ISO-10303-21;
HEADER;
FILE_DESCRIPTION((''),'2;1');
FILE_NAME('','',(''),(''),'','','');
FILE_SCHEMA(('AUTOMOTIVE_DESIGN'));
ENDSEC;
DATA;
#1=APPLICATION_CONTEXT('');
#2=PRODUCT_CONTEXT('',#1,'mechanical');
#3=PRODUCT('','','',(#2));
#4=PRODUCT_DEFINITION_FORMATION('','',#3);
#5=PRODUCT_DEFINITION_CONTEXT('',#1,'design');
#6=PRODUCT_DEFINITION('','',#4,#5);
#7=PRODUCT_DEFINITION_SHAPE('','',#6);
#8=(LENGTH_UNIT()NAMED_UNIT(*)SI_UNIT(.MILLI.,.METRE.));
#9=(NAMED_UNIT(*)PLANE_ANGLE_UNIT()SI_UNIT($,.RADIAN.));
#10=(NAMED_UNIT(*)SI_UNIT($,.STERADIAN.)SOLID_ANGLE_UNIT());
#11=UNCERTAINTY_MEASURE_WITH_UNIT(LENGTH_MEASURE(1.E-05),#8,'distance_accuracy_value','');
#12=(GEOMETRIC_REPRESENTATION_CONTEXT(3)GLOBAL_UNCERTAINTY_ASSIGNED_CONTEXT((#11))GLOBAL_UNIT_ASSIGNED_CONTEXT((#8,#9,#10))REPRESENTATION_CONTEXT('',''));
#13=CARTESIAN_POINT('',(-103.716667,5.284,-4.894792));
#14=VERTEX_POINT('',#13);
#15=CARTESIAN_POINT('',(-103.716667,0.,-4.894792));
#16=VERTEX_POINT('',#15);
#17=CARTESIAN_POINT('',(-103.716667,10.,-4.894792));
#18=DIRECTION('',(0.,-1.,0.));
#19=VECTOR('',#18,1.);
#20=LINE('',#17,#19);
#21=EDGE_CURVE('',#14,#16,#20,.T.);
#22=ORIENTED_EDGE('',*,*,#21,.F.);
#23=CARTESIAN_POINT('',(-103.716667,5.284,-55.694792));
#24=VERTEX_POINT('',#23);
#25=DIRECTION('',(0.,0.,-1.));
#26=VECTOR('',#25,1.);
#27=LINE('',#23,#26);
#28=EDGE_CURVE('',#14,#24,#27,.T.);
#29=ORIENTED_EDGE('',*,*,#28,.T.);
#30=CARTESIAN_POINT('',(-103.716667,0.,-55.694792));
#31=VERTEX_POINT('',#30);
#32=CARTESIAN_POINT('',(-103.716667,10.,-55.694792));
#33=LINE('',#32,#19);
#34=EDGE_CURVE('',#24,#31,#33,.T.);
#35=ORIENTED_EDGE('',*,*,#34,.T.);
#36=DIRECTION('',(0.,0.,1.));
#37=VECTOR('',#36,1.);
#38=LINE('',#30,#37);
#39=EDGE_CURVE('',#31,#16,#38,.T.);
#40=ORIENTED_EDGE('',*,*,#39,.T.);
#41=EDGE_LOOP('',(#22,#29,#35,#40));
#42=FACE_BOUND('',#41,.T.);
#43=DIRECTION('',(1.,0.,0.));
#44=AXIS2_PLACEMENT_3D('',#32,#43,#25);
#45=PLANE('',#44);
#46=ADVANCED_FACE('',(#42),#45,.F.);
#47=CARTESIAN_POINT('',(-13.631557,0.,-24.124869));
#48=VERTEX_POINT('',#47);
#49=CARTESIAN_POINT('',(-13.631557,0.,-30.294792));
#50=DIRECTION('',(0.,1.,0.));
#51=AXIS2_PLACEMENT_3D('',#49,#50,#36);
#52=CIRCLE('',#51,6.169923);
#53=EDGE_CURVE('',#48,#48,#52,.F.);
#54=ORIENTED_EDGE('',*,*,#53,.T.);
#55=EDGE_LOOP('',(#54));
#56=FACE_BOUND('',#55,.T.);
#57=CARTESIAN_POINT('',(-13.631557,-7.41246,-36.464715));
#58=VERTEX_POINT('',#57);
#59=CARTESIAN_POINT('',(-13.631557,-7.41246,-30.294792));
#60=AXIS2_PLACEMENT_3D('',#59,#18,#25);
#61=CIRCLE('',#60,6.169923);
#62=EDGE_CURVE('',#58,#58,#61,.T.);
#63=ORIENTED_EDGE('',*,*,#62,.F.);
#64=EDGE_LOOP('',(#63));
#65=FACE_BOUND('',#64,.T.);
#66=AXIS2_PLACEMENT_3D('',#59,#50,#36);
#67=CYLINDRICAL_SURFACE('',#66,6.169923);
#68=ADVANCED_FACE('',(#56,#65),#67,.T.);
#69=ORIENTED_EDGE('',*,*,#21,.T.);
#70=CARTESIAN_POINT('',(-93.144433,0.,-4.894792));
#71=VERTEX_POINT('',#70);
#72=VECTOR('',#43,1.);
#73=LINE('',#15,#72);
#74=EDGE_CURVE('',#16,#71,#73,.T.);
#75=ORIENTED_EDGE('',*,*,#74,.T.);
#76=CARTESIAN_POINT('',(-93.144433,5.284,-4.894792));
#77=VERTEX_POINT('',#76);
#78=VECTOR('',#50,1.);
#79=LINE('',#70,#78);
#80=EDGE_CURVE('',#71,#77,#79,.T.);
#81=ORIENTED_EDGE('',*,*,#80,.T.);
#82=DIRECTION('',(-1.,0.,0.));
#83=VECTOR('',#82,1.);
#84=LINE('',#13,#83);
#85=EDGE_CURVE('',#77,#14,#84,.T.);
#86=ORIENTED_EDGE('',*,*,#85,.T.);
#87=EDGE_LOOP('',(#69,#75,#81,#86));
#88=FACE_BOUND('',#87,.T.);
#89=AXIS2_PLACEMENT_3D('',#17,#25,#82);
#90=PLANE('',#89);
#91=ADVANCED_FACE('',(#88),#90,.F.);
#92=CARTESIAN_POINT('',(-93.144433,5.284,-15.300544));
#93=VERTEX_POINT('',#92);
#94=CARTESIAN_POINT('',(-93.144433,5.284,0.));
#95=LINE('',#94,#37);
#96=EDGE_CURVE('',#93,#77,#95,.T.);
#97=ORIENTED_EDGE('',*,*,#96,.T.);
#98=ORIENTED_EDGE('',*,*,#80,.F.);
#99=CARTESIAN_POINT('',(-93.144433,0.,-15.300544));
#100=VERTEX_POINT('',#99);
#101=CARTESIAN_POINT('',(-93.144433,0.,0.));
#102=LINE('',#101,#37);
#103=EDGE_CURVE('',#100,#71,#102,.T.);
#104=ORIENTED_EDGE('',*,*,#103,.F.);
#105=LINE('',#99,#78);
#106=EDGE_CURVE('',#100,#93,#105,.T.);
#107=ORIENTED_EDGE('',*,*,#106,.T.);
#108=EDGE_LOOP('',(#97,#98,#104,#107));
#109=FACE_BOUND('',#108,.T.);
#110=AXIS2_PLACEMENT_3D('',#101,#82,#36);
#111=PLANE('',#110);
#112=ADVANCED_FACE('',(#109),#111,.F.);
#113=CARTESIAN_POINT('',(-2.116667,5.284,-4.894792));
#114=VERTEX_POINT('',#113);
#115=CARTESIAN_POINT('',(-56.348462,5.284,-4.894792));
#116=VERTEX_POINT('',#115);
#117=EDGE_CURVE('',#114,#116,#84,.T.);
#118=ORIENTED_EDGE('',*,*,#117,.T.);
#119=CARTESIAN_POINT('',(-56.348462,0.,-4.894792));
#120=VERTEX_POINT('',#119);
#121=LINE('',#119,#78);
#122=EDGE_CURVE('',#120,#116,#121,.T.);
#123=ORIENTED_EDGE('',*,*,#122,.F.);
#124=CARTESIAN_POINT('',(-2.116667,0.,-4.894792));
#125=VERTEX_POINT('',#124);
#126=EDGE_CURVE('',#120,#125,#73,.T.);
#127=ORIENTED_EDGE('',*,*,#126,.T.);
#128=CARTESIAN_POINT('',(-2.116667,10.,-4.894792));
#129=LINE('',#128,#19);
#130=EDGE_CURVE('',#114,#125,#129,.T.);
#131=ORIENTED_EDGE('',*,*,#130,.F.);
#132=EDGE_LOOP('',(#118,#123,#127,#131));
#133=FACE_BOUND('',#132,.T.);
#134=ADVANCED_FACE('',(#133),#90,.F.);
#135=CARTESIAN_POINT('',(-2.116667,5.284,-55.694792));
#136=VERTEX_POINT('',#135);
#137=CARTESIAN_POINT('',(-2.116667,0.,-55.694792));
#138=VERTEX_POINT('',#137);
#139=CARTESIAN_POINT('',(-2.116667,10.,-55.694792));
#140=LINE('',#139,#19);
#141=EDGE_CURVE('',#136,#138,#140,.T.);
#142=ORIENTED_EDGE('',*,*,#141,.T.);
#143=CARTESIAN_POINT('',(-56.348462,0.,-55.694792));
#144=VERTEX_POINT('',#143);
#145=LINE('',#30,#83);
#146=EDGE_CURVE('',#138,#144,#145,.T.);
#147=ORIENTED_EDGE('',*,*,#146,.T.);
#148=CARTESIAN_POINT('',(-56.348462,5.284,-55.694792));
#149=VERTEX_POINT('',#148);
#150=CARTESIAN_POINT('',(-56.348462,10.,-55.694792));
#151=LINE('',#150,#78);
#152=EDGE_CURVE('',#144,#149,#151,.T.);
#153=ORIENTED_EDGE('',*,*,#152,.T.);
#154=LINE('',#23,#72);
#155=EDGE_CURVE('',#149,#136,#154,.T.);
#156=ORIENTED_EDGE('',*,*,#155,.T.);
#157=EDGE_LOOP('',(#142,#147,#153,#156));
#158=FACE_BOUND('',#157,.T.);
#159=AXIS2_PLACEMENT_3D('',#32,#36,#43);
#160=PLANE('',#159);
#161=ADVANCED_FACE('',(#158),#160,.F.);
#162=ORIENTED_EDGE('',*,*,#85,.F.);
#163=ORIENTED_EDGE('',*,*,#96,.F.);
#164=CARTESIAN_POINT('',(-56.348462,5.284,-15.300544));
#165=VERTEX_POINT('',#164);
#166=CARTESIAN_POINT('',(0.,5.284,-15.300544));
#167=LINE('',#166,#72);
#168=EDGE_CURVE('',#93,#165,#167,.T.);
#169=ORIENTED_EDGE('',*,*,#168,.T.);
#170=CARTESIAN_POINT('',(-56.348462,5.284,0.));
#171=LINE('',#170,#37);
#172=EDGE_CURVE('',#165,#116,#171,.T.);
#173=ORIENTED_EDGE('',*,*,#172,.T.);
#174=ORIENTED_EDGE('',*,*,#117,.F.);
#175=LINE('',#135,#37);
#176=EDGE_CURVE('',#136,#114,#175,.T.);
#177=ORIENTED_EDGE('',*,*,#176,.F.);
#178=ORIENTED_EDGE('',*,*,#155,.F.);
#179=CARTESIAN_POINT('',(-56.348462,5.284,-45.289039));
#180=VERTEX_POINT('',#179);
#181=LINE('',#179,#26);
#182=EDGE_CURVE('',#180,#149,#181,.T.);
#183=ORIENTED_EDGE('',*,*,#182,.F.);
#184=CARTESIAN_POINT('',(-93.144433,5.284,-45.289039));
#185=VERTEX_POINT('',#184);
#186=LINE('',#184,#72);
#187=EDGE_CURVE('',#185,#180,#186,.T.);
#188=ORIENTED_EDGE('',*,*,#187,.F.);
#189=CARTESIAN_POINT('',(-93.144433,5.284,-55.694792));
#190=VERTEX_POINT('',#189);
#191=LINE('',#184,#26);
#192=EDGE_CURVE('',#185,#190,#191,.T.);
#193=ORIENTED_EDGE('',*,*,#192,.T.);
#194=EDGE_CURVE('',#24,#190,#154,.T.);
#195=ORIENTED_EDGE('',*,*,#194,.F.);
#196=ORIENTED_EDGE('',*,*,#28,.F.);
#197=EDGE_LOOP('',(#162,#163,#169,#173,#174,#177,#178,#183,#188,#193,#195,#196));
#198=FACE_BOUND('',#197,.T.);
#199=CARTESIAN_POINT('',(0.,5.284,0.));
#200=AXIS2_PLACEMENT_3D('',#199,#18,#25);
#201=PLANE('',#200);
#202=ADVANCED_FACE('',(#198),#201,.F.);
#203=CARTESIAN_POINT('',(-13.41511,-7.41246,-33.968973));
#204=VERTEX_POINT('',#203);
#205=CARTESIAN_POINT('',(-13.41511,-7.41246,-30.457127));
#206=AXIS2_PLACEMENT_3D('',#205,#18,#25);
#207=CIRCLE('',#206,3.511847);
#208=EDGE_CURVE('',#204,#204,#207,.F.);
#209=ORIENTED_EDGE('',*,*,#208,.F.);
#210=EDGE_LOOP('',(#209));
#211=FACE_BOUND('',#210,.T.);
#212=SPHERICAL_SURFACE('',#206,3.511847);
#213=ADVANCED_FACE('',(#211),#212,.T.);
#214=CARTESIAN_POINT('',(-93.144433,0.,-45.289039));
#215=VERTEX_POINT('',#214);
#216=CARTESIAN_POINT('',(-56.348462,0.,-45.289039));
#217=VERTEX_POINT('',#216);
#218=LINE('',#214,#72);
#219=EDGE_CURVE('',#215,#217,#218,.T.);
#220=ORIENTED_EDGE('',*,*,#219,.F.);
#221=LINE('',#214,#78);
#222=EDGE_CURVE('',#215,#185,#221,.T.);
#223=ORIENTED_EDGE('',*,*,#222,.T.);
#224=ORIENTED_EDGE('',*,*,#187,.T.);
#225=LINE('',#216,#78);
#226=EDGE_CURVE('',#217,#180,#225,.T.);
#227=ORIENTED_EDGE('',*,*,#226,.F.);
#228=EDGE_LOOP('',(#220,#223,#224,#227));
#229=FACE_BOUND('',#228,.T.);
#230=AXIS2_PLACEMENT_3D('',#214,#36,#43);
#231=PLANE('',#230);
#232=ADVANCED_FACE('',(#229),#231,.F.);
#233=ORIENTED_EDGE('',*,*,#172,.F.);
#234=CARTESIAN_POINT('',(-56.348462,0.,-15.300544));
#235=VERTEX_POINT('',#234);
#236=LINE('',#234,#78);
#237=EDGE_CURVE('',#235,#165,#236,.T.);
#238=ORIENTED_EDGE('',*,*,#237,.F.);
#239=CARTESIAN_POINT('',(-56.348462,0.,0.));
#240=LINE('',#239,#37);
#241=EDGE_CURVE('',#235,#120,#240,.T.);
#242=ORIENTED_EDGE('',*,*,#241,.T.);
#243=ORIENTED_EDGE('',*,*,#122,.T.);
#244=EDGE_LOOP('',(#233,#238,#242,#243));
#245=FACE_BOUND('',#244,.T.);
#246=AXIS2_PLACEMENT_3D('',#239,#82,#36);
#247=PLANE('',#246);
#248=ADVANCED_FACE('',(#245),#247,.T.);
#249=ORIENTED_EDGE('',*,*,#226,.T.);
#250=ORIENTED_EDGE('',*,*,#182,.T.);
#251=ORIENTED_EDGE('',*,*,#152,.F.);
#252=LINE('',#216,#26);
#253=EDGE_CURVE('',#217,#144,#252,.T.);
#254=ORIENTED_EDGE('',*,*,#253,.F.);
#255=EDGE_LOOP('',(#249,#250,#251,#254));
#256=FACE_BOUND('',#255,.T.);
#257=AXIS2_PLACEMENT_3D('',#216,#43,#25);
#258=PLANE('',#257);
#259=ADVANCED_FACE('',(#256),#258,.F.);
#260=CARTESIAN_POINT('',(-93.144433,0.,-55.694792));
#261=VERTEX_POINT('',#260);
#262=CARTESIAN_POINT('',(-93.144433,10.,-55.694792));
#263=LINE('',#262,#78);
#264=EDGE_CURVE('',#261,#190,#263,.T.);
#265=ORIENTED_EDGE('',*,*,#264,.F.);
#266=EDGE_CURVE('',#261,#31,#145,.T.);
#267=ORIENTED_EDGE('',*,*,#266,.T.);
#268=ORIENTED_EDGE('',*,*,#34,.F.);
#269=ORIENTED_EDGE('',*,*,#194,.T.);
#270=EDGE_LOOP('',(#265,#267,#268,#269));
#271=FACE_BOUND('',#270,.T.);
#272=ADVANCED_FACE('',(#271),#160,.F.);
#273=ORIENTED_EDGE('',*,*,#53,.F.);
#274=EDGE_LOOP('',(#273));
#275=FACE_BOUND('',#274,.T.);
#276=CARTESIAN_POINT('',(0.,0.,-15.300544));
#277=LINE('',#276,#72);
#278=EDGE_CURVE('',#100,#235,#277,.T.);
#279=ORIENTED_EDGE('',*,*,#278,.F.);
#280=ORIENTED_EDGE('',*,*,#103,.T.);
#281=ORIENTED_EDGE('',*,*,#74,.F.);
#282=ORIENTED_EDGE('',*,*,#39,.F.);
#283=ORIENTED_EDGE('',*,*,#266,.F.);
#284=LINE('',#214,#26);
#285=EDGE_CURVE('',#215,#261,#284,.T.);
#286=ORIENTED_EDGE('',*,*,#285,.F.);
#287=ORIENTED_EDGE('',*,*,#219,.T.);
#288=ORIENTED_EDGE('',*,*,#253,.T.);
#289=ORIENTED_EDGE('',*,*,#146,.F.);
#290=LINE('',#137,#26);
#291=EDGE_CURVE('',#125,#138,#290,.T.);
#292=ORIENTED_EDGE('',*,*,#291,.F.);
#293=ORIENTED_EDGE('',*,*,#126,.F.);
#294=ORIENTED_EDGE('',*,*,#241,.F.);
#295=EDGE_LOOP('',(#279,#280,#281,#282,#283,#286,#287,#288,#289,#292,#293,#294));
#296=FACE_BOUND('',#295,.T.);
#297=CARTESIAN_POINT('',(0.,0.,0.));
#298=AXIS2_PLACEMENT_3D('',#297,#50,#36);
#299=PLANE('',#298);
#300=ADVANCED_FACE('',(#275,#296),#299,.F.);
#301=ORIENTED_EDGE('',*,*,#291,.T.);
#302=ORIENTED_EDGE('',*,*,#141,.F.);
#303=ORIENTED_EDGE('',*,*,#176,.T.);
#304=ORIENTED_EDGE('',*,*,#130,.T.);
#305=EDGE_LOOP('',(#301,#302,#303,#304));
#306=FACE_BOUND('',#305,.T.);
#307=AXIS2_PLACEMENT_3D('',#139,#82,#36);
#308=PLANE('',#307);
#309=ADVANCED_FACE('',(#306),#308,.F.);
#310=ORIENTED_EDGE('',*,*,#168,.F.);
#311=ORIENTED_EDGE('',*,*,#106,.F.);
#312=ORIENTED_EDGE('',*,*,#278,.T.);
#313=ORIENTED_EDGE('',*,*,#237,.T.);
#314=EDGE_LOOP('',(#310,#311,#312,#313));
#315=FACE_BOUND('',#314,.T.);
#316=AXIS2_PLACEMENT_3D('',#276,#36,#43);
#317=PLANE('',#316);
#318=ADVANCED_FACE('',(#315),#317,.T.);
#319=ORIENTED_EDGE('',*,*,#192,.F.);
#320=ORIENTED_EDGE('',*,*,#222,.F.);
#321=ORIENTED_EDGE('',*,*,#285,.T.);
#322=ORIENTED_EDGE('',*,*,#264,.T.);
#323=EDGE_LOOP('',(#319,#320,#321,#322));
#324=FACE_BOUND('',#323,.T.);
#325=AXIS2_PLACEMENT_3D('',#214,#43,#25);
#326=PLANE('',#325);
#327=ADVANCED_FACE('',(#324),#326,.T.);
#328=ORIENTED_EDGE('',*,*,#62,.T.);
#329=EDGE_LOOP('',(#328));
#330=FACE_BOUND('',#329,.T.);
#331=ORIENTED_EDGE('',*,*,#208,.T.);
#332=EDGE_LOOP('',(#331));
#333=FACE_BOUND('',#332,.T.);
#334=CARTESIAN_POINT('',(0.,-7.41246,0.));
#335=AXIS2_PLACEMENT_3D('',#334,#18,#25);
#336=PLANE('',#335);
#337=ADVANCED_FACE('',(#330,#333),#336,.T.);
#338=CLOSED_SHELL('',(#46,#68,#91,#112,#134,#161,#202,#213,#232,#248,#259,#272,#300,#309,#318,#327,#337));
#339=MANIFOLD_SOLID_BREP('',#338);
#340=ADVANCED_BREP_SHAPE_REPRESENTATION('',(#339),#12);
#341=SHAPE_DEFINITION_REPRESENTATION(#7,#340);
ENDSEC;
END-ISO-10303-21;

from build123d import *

# Parameters (mm, degrees)
SKETCH1_W           = 101.6
SKETCH1_H           = 50.8
BOSS_EXTRUDE1_DEPTH = 10
SKETCH3_W           = 36.795970914
SKETCH3_H           = 10.40575266
SKETCH3_H_2         = 15.093919488
CUT_EXTRUDE4_DEPTH  = 10
BOSS_EXTRUDE3_DEPTH = 7.412460188
SKETCH8_W           = 111.985504673
SKETCH8_H           = 56.913410447
CUT_EXTRUDE5_DEPTH  = 4.716


with BuildPart() as part:
    # Sketch1 → Boss-Extrude1 (new body)
    with BuildSketch(Plane(origin=(0, 0, 0), x_dir=(1, 0, 0), z_dir=(0, 1, 0))):
        with Locations((-52.916666667, 30.294791667)):
            Rectangle(SKETCH1_W, SKETCH1_H)
    extrude(amount=BOSS_EXTRUDE1_DEPTH)

    # Sketch3 → Cut-Extrude4 (cut)
    with BuildSketch(Plane(origin=(0, 10, 0), x_dir=(1, 0, 0), z_dir=(0, 1, 0))):
        with Locations((-74.746447121, 10.097667997)):
            Rectangle(SKETCH3_W, SKETCH3_H)
        with Locations((-74.746447121, 52.83599875)):
            Rectangle(SKETCH3_W, SKETCH3_H_2)
    extrude(amount=-CUT_EXTRUDE4_DEPTH, mode=Mode.SUBTRACT)

    # Sketch5 → Boss-Extrude3 (add)
    with BuildSketch(Plane.XZ):
        with BuildLine():
            ThreePointArc((-19.801479391, -30.294791667), (-13.631556544, -36.464714513), (-7.461633698, -30.294791667))
            Line((-7.461633698, -30.294791667), (-19.801479391, -30.294791667))
        make_face()
        with BuildLine():
            Line((-19.801479391, -30.294791667), (-7.461633698, -30.294791667))
            ThreePointArc((-7.461633698, -30.294791667), (-13.631556544, -24.12486882), (-19.801479391, -30.294791667))
        make_face()
    extrude(amount=BOSS_EXTRUDE3_DEPTH)

    # Sketch7 → Revolve3 (revolve)
    with BuildSketch(Plane.XZ.offset(7.412460188)):
        with BuildLine():
            Line((-15.363131646, -27.535093848), (-11.467087667, -33.379159817))
            ThreePointArc((-11.467087667, -33.379159817), (-10.493076672, -28.509104843), (-15.363131646, -27.535093848))
        make_face()
    revolve(axis=Axis((-15.363131646, -7.412460188, -27.535093848), (0.5547001962252264, 0, -0.8320502943378455)))

    # Sketch8 → Cut-Extrude5 (cut)
    with BuildSketch(Plane(origin=(0, 10, 0), x_dir=(1, 0, 0), z_dir=(0, 1, 0))):
        with Locations((-50.660840015, 30.234288396)):
            Rectangle(SKETCH8_W, SKETCH8_H)
    extrude(amount=-CUT_EXTRUDE5_DEPTH, mode=Mode.SUBTRACT)


solid = part.part
